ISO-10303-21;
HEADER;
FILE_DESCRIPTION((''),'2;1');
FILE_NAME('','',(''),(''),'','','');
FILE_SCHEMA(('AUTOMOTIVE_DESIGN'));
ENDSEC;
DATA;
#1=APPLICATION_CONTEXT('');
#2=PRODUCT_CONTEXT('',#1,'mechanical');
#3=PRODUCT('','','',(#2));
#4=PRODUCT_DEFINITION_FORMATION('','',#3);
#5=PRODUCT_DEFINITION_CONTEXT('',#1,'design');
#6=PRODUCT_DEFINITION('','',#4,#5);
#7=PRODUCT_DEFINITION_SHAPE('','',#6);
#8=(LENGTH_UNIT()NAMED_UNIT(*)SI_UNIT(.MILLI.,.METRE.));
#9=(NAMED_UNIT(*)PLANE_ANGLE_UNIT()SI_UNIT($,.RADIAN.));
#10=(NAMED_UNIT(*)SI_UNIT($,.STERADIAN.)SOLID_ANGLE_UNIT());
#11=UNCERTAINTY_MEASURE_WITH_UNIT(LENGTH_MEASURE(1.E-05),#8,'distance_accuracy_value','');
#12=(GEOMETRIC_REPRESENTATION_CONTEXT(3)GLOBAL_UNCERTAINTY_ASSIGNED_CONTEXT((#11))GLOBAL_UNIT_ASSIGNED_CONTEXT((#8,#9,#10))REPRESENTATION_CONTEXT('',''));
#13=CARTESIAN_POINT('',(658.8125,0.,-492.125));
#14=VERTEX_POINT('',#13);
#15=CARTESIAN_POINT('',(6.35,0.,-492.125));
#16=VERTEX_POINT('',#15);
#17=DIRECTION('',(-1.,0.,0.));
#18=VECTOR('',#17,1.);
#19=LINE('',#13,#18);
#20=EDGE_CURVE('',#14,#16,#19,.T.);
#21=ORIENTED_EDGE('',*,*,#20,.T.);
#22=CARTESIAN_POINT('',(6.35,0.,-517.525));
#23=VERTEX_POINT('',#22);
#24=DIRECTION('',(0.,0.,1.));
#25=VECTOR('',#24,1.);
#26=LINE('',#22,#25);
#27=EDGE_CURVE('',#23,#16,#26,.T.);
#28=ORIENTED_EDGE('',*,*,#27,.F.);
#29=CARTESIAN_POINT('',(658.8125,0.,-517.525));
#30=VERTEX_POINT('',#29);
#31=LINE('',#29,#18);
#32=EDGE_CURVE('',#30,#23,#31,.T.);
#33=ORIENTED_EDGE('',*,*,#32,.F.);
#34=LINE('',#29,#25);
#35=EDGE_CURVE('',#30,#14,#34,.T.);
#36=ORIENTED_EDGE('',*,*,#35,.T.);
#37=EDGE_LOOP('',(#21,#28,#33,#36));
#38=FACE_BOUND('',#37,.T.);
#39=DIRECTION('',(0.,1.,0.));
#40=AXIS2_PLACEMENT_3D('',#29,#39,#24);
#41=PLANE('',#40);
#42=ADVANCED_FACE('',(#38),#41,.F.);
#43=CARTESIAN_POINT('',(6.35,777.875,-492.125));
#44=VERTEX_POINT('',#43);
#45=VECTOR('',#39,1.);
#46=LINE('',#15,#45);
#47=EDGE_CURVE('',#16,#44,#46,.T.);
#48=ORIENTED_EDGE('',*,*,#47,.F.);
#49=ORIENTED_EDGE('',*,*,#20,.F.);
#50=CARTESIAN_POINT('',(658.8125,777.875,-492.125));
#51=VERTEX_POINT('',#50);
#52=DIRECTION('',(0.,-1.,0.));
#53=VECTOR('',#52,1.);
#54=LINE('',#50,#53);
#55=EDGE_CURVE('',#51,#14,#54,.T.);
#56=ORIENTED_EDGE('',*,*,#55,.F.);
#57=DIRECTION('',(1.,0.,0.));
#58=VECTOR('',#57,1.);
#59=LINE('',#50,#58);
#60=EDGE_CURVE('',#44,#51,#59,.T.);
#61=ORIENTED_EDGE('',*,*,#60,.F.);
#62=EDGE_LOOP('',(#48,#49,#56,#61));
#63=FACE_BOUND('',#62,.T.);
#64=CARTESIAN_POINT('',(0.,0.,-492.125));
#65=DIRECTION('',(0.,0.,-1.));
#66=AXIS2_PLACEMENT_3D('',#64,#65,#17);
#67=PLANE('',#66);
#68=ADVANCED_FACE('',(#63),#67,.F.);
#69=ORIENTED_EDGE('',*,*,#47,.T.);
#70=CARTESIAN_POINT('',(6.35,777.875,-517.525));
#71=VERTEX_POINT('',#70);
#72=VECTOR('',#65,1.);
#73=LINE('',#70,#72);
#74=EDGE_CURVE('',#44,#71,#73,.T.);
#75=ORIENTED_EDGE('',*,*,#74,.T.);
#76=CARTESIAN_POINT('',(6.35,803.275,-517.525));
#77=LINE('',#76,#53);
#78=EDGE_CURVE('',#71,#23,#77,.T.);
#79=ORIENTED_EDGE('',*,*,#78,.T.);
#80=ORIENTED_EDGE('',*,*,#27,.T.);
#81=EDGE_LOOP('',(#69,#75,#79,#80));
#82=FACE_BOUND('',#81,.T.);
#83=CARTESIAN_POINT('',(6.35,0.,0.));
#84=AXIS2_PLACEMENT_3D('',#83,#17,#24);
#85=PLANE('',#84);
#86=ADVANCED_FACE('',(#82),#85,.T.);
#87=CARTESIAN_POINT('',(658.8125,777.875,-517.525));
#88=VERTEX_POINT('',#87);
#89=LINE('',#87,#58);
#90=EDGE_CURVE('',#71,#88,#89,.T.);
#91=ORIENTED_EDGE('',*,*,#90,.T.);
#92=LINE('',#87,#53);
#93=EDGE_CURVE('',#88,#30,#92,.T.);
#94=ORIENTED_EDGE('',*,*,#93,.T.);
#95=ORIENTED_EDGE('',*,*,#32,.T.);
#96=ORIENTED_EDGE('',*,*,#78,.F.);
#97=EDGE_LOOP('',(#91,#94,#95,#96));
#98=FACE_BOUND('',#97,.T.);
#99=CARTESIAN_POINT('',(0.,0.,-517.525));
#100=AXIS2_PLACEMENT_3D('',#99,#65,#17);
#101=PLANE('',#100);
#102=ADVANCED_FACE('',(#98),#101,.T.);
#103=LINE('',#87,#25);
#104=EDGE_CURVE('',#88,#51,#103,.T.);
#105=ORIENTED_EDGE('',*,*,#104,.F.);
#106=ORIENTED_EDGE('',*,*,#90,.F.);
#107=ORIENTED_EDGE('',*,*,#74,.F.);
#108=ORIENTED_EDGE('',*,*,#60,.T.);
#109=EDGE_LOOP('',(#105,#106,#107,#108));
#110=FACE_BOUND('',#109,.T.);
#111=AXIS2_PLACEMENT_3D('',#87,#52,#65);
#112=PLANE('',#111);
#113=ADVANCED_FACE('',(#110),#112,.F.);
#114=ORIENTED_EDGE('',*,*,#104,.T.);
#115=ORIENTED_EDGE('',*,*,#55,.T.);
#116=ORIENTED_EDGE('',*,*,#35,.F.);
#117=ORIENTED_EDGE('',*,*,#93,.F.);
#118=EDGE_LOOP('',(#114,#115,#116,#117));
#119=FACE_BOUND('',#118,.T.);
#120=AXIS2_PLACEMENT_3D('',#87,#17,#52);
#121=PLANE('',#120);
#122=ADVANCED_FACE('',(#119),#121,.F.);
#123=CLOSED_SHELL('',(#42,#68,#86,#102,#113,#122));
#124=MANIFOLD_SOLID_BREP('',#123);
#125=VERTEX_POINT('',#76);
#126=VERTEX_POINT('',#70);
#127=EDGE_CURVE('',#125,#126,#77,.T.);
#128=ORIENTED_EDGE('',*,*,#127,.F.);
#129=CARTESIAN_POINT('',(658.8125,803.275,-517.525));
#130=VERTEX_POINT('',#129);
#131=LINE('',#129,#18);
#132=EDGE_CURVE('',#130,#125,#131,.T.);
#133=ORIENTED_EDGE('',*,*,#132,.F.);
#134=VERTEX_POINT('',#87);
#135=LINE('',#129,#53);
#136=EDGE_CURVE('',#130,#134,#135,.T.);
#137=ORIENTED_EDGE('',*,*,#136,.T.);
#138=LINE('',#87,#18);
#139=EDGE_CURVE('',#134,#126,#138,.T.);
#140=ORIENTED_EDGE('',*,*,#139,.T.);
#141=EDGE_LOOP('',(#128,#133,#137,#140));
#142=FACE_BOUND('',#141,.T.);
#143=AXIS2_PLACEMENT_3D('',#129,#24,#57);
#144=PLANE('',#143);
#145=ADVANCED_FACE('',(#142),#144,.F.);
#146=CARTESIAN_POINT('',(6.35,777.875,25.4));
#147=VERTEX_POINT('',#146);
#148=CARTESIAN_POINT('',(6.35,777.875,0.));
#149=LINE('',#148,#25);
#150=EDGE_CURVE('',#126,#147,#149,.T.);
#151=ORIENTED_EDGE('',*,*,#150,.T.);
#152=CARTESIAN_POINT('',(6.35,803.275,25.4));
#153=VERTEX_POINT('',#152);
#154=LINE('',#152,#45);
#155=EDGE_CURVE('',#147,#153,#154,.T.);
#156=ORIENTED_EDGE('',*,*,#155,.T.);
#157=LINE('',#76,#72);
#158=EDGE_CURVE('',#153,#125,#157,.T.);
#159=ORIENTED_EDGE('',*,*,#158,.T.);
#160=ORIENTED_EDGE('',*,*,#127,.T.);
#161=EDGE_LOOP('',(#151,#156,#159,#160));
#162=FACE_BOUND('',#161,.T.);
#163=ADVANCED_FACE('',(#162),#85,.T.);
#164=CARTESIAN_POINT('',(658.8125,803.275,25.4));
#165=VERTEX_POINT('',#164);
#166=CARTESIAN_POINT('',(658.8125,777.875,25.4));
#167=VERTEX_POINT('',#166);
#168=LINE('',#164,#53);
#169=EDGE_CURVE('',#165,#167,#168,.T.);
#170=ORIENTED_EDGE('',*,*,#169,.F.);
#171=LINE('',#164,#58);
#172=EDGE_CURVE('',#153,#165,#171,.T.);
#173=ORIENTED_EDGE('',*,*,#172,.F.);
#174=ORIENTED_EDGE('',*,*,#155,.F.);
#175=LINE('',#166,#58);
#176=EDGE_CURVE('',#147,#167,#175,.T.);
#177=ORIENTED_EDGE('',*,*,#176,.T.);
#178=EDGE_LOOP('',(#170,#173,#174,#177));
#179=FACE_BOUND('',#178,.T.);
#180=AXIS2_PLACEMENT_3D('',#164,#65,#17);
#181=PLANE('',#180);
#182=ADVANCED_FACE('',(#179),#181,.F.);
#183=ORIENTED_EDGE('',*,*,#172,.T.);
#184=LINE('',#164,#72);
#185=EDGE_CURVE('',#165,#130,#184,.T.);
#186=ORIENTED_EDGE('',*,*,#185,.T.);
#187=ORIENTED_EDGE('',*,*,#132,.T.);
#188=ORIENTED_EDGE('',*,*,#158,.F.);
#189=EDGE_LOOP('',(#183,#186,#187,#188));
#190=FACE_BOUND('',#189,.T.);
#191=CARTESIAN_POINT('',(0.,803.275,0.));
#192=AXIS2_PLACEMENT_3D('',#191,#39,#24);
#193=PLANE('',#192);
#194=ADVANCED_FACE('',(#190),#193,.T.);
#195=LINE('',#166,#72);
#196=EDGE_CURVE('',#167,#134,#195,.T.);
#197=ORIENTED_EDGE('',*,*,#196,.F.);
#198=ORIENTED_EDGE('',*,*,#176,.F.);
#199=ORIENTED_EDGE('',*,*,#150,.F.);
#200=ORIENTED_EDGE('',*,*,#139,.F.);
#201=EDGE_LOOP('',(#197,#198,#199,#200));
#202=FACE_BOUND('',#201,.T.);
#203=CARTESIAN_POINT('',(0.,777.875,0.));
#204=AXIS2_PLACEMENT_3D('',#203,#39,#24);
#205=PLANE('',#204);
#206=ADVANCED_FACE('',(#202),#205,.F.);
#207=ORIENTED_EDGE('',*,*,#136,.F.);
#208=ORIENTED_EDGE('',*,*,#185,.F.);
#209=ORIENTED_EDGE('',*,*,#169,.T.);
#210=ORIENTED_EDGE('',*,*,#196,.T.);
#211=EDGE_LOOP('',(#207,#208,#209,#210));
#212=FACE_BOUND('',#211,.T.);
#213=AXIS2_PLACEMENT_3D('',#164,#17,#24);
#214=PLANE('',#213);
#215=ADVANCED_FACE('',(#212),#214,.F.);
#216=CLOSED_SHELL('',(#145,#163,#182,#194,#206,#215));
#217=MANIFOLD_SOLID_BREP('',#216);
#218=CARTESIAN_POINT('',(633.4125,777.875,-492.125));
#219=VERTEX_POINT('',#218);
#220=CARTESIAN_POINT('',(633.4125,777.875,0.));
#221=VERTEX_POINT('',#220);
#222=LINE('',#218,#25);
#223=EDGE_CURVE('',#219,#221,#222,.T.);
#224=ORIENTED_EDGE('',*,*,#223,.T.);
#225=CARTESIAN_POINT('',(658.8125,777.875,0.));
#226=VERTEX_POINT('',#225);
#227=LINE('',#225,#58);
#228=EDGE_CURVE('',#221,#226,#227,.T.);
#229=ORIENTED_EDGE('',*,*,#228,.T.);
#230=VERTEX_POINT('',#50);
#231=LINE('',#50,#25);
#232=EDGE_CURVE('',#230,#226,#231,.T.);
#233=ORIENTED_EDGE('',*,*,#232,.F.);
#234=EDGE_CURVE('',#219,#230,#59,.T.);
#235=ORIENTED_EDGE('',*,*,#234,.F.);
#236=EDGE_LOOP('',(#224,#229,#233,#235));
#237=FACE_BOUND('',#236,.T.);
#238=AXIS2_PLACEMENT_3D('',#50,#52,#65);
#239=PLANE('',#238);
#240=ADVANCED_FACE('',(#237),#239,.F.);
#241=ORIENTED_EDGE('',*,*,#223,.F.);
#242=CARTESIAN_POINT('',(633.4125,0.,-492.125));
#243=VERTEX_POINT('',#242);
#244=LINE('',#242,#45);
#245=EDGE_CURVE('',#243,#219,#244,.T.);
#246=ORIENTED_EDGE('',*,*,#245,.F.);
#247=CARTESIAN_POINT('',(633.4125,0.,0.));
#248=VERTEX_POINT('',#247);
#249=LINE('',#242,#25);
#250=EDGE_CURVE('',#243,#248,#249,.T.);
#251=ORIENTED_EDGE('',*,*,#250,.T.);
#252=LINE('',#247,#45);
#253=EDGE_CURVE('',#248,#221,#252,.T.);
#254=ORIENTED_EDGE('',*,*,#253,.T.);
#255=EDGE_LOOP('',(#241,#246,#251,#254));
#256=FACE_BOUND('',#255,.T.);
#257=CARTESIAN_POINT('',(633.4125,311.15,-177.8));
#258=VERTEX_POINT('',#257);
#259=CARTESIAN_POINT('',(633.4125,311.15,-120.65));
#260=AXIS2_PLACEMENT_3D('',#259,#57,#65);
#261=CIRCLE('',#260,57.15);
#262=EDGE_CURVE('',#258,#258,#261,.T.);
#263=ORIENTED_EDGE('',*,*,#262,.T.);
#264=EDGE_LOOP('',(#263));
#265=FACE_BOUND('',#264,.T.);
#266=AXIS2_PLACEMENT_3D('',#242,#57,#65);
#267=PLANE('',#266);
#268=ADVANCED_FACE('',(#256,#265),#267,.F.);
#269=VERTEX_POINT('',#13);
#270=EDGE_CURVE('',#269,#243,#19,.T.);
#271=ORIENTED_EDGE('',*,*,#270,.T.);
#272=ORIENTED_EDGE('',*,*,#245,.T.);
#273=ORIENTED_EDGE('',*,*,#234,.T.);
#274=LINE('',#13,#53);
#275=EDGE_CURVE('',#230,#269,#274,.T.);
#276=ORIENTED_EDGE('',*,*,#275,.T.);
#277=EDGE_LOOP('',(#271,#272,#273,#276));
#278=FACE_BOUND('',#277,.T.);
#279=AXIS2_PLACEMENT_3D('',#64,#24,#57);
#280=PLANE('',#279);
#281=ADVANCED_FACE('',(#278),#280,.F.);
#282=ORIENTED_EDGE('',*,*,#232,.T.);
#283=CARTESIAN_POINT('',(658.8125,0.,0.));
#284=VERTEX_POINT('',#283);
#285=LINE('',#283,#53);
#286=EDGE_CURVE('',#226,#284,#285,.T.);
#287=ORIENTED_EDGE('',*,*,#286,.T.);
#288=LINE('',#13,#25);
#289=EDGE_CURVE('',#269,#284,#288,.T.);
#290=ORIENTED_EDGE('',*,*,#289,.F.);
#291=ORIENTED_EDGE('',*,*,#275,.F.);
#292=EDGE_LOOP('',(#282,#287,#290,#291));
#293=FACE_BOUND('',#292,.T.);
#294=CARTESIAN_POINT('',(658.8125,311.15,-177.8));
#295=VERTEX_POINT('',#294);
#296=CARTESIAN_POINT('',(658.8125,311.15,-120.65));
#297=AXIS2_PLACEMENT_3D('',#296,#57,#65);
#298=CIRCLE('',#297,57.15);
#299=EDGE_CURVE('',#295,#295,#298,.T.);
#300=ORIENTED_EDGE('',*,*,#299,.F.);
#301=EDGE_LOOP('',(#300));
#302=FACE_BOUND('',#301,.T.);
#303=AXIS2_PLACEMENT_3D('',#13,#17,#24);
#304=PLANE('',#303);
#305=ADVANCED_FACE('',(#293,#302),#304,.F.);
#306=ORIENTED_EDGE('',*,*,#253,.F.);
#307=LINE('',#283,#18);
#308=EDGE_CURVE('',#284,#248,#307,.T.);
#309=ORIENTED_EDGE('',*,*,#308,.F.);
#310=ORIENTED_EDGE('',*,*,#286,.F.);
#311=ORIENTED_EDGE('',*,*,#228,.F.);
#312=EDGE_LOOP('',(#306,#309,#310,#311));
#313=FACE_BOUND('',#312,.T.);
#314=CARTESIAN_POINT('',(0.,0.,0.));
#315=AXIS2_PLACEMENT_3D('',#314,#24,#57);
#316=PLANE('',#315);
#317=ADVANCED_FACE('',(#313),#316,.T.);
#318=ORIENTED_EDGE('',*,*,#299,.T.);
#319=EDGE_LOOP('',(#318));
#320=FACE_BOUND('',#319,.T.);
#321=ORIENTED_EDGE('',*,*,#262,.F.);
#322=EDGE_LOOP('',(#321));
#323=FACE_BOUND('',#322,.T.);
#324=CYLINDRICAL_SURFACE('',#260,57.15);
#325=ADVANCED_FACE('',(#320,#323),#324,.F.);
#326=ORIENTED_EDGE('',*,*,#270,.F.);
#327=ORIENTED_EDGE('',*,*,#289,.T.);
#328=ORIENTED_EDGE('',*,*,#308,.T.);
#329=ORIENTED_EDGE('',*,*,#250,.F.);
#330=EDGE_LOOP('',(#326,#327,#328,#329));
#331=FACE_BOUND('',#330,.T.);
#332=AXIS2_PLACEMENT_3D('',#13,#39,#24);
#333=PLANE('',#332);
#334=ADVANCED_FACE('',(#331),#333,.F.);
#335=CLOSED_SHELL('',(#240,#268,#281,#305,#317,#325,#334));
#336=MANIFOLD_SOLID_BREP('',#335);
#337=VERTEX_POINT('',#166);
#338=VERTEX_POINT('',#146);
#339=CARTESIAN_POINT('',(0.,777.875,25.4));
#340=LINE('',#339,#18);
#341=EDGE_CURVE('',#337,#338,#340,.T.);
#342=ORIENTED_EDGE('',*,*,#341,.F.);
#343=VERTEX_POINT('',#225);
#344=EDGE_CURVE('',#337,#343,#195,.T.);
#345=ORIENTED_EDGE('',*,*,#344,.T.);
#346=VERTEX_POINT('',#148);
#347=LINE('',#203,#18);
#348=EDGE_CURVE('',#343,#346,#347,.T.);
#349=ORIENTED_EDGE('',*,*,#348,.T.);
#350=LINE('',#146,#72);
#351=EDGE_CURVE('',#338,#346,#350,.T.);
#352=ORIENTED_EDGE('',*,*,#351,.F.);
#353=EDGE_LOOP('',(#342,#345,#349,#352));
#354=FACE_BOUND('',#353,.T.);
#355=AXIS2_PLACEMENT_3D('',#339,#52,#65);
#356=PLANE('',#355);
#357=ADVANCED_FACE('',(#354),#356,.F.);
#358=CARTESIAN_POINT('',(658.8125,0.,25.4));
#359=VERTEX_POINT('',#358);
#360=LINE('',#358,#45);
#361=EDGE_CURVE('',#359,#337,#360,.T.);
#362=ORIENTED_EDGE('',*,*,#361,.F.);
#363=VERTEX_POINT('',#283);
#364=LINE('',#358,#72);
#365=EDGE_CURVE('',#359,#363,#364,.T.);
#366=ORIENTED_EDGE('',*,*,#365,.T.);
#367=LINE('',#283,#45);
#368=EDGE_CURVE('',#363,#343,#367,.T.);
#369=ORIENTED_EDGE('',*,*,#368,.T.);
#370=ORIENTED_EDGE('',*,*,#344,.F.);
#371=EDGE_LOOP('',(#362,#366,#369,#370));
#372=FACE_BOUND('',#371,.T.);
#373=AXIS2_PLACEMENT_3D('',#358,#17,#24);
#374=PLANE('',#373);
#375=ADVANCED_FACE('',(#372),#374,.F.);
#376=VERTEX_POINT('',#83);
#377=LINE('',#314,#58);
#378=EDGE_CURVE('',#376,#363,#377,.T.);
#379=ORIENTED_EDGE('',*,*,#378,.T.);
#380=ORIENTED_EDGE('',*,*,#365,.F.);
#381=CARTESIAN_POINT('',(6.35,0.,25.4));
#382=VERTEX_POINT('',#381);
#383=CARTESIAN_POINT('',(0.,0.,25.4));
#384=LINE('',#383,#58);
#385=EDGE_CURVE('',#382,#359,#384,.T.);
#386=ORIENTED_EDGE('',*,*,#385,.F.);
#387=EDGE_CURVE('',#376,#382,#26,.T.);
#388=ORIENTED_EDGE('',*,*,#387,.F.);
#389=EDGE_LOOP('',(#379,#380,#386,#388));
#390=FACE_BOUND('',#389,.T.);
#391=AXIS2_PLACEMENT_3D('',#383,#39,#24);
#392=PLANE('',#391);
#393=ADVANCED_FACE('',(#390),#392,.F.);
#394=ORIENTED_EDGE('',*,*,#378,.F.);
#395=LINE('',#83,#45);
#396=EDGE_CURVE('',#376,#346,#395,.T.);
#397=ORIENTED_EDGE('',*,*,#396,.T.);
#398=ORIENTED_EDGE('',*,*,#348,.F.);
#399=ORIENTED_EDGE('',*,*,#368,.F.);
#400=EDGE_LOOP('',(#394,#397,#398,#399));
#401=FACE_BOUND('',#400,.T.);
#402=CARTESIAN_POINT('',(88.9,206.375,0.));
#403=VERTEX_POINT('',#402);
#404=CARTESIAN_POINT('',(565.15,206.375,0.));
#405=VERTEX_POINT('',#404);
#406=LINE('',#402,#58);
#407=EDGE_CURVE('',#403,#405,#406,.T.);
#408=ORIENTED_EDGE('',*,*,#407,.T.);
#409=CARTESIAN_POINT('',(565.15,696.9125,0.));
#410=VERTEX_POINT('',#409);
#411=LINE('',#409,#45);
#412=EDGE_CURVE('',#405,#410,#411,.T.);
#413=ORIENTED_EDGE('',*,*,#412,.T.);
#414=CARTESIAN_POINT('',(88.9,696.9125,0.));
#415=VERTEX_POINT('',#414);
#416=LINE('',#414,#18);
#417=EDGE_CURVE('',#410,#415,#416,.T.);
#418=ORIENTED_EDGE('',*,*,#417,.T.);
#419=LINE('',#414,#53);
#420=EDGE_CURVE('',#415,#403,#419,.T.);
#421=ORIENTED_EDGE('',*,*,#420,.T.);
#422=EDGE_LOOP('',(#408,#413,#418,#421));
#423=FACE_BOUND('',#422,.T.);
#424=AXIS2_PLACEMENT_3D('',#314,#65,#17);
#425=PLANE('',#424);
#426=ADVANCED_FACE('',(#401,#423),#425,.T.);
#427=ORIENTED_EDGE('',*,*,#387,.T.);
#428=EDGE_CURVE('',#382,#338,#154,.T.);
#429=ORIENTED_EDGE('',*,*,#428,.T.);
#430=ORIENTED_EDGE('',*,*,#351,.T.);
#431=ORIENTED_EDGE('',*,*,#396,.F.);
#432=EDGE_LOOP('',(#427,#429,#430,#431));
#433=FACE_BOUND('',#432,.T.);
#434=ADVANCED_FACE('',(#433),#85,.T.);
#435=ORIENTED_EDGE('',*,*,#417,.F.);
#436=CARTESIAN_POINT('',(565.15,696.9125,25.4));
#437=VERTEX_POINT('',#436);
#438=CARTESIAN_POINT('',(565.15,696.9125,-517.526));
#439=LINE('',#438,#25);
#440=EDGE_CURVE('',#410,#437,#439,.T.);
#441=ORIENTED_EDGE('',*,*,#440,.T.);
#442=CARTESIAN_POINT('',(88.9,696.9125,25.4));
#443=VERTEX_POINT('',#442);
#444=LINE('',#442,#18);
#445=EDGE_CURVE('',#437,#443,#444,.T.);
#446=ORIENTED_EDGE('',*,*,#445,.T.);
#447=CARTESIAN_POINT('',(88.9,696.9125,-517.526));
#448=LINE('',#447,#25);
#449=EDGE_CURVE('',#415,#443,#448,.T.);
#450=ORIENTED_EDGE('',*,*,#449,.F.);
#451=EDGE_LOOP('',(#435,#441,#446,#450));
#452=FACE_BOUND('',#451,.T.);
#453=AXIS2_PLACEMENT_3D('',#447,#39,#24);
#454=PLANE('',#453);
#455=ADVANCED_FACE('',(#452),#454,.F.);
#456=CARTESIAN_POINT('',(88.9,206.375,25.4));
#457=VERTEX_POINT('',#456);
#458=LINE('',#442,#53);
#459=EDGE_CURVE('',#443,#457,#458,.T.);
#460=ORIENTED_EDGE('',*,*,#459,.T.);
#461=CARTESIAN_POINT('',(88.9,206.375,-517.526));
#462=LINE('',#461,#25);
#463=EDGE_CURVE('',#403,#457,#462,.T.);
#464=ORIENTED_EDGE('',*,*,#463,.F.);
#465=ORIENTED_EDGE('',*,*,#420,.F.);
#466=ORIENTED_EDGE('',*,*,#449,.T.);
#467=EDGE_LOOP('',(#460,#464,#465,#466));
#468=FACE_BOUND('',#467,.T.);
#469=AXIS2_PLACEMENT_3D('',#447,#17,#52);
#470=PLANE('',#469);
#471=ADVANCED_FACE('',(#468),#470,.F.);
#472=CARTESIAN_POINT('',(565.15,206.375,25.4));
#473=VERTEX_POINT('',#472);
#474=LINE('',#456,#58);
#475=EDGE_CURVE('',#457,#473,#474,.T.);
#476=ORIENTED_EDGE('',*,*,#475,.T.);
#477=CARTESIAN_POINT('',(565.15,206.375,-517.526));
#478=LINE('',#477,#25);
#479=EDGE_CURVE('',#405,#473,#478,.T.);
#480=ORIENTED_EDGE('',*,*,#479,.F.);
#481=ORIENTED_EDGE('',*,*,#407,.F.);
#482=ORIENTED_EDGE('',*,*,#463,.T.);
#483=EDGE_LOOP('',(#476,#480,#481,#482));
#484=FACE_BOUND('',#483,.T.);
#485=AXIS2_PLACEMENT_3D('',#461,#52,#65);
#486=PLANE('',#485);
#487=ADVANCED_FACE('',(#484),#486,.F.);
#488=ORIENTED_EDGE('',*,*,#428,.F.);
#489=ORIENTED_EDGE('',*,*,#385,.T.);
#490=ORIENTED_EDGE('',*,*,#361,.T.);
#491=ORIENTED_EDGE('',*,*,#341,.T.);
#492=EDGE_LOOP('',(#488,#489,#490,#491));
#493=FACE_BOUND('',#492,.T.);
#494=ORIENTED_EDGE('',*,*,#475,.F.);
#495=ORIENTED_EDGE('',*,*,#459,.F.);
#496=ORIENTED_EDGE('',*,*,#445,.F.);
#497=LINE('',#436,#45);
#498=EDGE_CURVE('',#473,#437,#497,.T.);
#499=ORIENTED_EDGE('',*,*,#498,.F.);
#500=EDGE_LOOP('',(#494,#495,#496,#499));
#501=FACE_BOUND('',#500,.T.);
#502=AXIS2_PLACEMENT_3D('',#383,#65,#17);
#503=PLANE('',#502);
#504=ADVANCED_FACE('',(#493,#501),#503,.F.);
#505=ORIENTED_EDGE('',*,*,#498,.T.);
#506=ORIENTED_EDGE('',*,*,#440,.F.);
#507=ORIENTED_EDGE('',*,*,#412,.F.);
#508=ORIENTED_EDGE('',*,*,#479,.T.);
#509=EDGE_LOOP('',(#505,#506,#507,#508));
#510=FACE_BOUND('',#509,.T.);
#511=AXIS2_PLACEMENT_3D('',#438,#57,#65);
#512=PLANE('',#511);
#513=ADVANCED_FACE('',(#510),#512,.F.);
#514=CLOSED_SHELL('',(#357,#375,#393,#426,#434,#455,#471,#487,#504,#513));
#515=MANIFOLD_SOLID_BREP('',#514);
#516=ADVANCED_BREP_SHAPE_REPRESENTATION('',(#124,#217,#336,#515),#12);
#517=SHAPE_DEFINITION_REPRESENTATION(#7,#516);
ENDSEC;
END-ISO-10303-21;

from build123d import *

# Parameters (mm, degrees)
SKETCH1_W           = 658.8125
SKETCH1_H           = 777.875
BOSS_EXTRUDE1_DEPTH = 25.4
SKETCH2_W           = 25.4
SKETCH2_H           = 777.875
BOSS_EXTRUDE2_DEPTH = 492.125
SKETCH3_W           = 658.8125
SKETCH3_H           = 777.875
BOSS_EXTRUDE3_DEPTH = 25.4
SKETCH4_W           = 658.8125
SKETCH4_H           = 542.925
BOSS_EXTRUDE4_DEPTH = 25.4
SKETCH5_W           = 542.925
SKETCH5_H           = 803.275
CUT_EXTRUDE1_DEPTH  = 6.35
SKETCH6_W           = 476.25
SKETCH6_H           = 490.5375
CUT_EXTRUDE2_DEPTH  = 25.4
SKETCH7_R           = 57.15
CUT_EXTRUDE3_DEPTH  = 25.4


with BuildPart() as part:
    # Sketch1 → Boss-Extrude1 (new body)
    with BuildSketch(Plane.XY):
        with Locations((329.40625, 388.9375)):
            Rectangle(SKETCH1_W, SKETCH1_H)
    extrude(amount=BOSS_EXTRUDE1_DEPTH)


with BuildPart() as body_2:
    # Sketch2 → Boss-Extrude2 (new body)
    with BuildSketch(Plane(origin=(0, 0, 0), x_dir=(-1, 0, 0), z_dir=(0, 0, -1))):
        with Locations((-646.1125, 388.9375)):
            Rectangle(SKETCH2_W, SKETCH2_H)
    extrude(amount=BOSS_EXTRUDE2_DEPTH)

    # Sketch7 → Cut-Extrude3 (cut)
    with BuildSketch(Plane(origin=(658.8125, 0, 0), x_dir=(0, 0, -1), z_dir=(1, 0, 0))):
        with Locations((120.65, 311.15)):
            Circle(SKETCH7_R)
    extrude(amount=-CUT_EXTRUDE3_DEPTH, mode=Mode.SUBTRACT)


with BuildPart() as body_3:
    # Sketch3 → Boss-Extrude3 (new body)
    with BuildSketch(Plane(origin=(0, 0, -492.125), x_dir=(-1, 0, 0), z_dir=(0, 0, -1))):
        with Locations((-329.40625, 388.9375)):
            Rectangle(SKETCH3_W, SKETCH3_H)
    extrude(amount=BOSS_EXTRUDE3_DEPTH)


with BuildPart() as body_4:
    # Sketch4 → Boss-Extrude4 (new body)
    with BuildSketch(Plane(origin=(0, 777.875, 0), x_dir=(1, 0, 0), z_dir=(0, 1, 0))):
        with Locations((329.40625, 246.0625)):
            Rectangle(SKETCH4_W, SKETCH4_H)
    extrude(amount=BOSS_EXTRUDE4_DEPTH)


with BuildPart() as cut_extrude1_tool:
    # Sketch5 → Cut-Extrude1 (new body)
    with BuildSketch(Plane.ZY):
        with Locations((-246.0625, 401.6375)):
            Rectangle(SKETCH5_W, SKETCH5_H)
    extrude(amount=-CUT_EXTRUDE1_DEPTH)


with BuildPart() as part_1:
    add(part.part)

    # Cut-Extrude1: cut by cut_extrude1_tool
    add(cut_extrude1_tool.part, mode=Mode.SUBTRACT)

    # Sketch6 → Cut-Extrude2 (cut)
    with BuildSketch(Plane.XY.offset(25.4)):
        with Locations((327.025, 451.64375)):
            Rectangle(SKETCH6_W, SKETCH6_H)
    extrude(amount=-CUT_EXTRUDE2_DEPTH, mode=Mode.SUBTRACT)


with BuildPart() as body_3_1:
    add(body_3.part)

    # Cut-Extrude1: cut by cut_extrude1_tool
    add(cut_extrude1_tool.part, mode=Mode.SUBTRACT)


with BuildPart() as body_4_1:
    add(body_4.part)

    # Cut-Extrude1: cut by cut_extrude1_tool
    add(cut_extrude1_tool.part, mode=Mode.SUBTRACT)


solid = Compound([body_2.part, part_1.part, body_3_1.part, body_4_1.part])
